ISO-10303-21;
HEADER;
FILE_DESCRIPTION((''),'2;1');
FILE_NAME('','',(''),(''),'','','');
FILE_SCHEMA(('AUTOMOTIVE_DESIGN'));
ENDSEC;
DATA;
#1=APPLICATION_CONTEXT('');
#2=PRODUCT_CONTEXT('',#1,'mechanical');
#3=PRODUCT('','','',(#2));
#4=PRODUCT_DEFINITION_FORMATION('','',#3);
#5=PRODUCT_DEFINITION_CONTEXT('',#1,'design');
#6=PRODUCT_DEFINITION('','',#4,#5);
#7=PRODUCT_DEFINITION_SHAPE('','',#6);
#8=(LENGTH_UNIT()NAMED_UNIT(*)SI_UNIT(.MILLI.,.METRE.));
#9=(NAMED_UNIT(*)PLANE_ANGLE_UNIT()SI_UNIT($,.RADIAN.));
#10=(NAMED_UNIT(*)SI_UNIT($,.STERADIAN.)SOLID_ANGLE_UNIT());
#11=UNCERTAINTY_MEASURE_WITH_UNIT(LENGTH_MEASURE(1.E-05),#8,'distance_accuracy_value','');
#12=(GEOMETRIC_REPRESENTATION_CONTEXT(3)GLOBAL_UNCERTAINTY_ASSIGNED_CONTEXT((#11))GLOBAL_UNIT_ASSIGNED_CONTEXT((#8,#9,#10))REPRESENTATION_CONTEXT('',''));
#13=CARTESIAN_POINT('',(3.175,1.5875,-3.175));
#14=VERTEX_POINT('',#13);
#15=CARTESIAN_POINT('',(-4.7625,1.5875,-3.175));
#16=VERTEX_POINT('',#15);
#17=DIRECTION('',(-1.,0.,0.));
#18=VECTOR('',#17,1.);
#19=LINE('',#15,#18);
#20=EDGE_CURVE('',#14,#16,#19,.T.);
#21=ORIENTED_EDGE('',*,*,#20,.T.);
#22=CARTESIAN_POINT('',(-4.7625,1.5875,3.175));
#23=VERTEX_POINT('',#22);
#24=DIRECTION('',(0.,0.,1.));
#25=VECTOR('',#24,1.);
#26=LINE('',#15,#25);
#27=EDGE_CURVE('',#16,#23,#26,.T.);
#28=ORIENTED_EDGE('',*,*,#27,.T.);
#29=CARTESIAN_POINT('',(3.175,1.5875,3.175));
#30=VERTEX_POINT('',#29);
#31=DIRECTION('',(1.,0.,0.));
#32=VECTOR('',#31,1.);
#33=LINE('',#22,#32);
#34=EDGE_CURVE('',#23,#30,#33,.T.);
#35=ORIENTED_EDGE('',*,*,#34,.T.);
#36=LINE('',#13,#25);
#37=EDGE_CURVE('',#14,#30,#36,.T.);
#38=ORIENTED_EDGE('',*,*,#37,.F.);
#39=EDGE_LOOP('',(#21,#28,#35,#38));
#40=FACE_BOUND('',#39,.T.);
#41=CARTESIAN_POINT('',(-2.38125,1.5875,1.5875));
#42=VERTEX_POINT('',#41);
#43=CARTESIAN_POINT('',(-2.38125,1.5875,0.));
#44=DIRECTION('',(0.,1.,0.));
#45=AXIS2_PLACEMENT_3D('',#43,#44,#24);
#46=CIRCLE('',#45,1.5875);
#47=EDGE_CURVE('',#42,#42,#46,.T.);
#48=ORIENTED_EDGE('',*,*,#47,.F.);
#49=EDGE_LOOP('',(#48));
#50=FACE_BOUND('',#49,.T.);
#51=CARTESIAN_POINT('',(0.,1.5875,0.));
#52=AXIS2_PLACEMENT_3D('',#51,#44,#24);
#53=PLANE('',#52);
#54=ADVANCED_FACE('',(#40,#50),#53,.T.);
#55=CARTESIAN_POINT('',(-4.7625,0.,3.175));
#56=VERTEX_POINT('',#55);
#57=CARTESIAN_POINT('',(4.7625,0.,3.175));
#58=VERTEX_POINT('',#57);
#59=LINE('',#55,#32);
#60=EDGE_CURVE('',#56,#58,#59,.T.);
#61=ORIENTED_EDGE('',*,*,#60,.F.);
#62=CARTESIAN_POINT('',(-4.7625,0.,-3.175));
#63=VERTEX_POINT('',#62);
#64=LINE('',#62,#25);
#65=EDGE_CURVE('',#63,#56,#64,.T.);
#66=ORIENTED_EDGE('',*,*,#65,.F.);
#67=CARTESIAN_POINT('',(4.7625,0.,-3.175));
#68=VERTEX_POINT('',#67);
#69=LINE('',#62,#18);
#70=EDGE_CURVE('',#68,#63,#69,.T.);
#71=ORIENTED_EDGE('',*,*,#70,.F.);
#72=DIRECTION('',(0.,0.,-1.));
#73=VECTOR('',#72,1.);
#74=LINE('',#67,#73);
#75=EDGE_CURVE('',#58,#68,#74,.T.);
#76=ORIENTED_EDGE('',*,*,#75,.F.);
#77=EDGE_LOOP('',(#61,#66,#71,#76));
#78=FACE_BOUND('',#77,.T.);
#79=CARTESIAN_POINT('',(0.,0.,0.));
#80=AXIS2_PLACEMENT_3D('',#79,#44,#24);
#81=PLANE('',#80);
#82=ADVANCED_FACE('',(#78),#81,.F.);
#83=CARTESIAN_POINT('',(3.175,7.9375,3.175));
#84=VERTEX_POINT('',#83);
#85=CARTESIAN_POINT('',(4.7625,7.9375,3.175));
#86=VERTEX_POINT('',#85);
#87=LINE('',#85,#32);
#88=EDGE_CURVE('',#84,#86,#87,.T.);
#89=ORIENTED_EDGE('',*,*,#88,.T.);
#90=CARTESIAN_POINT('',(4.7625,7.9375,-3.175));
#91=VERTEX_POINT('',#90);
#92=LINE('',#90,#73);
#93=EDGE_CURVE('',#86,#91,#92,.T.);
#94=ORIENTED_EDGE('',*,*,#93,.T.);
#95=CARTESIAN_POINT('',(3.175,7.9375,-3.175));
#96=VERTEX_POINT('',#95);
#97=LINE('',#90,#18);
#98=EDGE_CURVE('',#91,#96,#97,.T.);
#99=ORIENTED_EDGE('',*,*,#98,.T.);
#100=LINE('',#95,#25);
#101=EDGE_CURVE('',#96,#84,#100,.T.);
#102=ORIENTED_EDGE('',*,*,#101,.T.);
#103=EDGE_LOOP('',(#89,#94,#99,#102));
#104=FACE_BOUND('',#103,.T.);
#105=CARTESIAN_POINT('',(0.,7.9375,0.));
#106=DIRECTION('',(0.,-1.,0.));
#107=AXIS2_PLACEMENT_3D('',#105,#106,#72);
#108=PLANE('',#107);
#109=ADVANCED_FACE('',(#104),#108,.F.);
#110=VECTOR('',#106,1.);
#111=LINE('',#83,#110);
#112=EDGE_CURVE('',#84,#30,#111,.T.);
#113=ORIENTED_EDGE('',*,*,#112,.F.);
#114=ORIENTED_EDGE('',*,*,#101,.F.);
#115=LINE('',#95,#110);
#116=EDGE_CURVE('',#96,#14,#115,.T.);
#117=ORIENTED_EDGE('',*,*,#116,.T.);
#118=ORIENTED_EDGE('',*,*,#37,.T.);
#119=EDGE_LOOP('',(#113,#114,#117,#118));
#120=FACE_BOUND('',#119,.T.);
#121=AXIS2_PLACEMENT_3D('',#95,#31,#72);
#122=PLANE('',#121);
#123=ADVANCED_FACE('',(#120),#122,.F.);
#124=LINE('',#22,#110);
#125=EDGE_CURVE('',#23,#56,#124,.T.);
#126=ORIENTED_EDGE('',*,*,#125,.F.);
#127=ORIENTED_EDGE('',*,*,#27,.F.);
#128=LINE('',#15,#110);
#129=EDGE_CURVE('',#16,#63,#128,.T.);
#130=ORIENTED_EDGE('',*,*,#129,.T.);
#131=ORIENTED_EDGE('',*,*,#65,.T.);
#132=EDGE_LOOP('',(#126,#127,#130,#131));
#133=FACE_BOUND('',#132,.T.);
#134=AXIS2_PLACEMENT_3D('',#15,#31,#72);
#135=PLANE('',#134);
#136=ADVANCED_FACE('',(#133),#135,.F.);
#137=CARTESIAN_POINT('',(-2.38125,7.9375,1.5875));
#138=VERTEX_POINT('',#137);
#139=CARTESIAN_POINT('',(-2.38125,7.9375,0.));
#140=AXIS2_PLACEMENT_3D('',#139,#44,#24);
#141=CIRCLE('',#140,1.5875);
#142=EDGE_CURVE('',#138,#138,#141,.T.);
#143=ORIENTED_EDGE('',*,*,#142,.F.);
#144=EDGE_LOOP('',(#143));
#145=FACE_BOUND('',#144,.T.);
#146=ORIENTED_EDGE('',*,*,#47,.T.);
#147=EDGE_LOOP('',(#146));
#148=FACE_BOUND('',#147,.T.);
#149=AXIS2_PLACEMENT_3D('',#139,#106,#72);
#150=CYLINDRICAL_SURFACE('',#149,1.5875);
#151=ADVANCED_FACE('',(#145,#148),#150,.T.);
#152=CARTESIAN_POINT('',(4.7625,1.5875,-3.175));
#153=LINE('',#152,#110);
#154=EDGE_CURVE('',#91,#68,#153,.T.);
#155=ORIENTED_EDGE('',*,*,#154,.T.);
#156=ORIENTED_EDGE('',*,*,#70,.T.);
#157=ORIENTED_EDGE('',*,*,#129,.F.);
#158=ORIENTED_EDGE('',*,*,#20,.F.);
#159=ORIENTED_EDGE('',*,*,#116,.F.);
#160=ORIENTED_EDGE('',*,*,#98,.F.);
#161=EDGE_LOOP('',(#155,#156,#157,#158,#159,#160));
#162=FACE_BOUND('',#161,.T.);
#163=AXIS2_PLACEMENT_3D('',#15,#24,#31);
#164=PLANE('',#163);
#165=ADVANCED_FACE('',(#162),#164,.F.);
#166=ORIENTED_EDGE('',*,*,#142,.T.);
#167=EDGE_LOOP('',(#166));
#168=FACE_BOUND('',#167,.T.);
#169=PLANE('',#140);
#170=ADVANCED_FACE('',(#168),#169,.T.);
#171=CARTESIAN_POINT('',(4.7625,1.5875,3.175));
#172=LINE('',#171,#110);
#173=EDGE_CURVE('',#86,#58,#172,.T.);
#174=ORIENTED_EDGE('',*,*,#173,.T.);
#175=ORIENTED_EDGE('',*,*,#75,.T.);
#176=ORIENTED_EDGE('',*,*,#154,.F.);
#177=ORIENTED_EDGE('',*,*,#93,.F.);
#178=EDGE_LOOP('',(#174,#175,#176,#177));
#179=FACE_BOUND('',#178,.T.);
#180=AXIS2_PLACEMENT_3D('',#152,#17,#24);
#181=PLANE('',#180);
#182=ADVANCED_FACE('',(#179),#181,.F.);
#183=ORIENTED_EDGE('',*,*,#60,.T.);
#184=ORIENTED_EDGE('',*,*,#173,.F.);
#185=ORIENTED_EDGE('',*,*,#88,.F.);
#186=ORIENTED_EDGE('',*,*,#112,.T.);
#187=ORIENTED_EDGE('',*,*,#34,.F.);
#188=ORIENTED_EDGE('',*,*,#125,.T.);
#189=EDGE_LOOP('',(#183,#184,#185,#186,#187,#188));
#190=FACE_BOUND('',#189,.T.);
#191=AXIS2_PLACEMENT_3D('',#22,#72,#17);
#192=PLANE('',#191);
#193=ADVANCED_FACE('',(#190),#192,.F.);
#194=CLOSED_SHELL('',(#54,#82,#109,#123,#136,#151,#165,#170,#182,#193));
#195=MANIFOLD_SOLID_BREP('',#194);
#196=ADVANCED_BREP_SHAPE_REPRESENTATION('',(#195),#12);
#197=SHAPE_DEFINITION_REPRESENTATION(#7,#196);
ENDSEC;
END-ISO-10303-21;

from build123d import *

# Parameters (mm, degrees)
SKETCH1_W           = 9.525
SKETCH1_H           = 6.35
BOSS_EXTRUDE1_DEPTH = 1.5875
SKETCH2_R           = 1.5875
SKETCH2_W           = 1.5875
SKETCH2_H           = 6.35
BOSS_EXTRUDE2_DEPTH = 6.35


with BuildPart() as part:
    # Sketch1 → Boss-Extrude1 (new body)
    with BuildSketch(Plane(origin=(0, 0, 0), x_dir=(1, 0, 0), z_dir=(0, 1, 0))):
        Rectangle(SKETCH1_W, SKETCH1_H)
    extrude(amount=BOSS_EXTRUDE1_DEPTH)

    # Sketch2 → Boss-Extrude2 (add)
    with BuildSketch(Plane(origin=(0, 1.5875, 0), x_dir=(1, 0, 0), z_dir=(0, 1, 0))):
        with Locations((-2.38125, 0)):
            Circle(SKETCH2_R)
        with Locations((3.96875, 0)):
            Rectangle(SKETCH2_W, SKETCH2_H)
    extrude(amount=BOSS_EXTRUDE2_DEPTH)


solid = part.part
